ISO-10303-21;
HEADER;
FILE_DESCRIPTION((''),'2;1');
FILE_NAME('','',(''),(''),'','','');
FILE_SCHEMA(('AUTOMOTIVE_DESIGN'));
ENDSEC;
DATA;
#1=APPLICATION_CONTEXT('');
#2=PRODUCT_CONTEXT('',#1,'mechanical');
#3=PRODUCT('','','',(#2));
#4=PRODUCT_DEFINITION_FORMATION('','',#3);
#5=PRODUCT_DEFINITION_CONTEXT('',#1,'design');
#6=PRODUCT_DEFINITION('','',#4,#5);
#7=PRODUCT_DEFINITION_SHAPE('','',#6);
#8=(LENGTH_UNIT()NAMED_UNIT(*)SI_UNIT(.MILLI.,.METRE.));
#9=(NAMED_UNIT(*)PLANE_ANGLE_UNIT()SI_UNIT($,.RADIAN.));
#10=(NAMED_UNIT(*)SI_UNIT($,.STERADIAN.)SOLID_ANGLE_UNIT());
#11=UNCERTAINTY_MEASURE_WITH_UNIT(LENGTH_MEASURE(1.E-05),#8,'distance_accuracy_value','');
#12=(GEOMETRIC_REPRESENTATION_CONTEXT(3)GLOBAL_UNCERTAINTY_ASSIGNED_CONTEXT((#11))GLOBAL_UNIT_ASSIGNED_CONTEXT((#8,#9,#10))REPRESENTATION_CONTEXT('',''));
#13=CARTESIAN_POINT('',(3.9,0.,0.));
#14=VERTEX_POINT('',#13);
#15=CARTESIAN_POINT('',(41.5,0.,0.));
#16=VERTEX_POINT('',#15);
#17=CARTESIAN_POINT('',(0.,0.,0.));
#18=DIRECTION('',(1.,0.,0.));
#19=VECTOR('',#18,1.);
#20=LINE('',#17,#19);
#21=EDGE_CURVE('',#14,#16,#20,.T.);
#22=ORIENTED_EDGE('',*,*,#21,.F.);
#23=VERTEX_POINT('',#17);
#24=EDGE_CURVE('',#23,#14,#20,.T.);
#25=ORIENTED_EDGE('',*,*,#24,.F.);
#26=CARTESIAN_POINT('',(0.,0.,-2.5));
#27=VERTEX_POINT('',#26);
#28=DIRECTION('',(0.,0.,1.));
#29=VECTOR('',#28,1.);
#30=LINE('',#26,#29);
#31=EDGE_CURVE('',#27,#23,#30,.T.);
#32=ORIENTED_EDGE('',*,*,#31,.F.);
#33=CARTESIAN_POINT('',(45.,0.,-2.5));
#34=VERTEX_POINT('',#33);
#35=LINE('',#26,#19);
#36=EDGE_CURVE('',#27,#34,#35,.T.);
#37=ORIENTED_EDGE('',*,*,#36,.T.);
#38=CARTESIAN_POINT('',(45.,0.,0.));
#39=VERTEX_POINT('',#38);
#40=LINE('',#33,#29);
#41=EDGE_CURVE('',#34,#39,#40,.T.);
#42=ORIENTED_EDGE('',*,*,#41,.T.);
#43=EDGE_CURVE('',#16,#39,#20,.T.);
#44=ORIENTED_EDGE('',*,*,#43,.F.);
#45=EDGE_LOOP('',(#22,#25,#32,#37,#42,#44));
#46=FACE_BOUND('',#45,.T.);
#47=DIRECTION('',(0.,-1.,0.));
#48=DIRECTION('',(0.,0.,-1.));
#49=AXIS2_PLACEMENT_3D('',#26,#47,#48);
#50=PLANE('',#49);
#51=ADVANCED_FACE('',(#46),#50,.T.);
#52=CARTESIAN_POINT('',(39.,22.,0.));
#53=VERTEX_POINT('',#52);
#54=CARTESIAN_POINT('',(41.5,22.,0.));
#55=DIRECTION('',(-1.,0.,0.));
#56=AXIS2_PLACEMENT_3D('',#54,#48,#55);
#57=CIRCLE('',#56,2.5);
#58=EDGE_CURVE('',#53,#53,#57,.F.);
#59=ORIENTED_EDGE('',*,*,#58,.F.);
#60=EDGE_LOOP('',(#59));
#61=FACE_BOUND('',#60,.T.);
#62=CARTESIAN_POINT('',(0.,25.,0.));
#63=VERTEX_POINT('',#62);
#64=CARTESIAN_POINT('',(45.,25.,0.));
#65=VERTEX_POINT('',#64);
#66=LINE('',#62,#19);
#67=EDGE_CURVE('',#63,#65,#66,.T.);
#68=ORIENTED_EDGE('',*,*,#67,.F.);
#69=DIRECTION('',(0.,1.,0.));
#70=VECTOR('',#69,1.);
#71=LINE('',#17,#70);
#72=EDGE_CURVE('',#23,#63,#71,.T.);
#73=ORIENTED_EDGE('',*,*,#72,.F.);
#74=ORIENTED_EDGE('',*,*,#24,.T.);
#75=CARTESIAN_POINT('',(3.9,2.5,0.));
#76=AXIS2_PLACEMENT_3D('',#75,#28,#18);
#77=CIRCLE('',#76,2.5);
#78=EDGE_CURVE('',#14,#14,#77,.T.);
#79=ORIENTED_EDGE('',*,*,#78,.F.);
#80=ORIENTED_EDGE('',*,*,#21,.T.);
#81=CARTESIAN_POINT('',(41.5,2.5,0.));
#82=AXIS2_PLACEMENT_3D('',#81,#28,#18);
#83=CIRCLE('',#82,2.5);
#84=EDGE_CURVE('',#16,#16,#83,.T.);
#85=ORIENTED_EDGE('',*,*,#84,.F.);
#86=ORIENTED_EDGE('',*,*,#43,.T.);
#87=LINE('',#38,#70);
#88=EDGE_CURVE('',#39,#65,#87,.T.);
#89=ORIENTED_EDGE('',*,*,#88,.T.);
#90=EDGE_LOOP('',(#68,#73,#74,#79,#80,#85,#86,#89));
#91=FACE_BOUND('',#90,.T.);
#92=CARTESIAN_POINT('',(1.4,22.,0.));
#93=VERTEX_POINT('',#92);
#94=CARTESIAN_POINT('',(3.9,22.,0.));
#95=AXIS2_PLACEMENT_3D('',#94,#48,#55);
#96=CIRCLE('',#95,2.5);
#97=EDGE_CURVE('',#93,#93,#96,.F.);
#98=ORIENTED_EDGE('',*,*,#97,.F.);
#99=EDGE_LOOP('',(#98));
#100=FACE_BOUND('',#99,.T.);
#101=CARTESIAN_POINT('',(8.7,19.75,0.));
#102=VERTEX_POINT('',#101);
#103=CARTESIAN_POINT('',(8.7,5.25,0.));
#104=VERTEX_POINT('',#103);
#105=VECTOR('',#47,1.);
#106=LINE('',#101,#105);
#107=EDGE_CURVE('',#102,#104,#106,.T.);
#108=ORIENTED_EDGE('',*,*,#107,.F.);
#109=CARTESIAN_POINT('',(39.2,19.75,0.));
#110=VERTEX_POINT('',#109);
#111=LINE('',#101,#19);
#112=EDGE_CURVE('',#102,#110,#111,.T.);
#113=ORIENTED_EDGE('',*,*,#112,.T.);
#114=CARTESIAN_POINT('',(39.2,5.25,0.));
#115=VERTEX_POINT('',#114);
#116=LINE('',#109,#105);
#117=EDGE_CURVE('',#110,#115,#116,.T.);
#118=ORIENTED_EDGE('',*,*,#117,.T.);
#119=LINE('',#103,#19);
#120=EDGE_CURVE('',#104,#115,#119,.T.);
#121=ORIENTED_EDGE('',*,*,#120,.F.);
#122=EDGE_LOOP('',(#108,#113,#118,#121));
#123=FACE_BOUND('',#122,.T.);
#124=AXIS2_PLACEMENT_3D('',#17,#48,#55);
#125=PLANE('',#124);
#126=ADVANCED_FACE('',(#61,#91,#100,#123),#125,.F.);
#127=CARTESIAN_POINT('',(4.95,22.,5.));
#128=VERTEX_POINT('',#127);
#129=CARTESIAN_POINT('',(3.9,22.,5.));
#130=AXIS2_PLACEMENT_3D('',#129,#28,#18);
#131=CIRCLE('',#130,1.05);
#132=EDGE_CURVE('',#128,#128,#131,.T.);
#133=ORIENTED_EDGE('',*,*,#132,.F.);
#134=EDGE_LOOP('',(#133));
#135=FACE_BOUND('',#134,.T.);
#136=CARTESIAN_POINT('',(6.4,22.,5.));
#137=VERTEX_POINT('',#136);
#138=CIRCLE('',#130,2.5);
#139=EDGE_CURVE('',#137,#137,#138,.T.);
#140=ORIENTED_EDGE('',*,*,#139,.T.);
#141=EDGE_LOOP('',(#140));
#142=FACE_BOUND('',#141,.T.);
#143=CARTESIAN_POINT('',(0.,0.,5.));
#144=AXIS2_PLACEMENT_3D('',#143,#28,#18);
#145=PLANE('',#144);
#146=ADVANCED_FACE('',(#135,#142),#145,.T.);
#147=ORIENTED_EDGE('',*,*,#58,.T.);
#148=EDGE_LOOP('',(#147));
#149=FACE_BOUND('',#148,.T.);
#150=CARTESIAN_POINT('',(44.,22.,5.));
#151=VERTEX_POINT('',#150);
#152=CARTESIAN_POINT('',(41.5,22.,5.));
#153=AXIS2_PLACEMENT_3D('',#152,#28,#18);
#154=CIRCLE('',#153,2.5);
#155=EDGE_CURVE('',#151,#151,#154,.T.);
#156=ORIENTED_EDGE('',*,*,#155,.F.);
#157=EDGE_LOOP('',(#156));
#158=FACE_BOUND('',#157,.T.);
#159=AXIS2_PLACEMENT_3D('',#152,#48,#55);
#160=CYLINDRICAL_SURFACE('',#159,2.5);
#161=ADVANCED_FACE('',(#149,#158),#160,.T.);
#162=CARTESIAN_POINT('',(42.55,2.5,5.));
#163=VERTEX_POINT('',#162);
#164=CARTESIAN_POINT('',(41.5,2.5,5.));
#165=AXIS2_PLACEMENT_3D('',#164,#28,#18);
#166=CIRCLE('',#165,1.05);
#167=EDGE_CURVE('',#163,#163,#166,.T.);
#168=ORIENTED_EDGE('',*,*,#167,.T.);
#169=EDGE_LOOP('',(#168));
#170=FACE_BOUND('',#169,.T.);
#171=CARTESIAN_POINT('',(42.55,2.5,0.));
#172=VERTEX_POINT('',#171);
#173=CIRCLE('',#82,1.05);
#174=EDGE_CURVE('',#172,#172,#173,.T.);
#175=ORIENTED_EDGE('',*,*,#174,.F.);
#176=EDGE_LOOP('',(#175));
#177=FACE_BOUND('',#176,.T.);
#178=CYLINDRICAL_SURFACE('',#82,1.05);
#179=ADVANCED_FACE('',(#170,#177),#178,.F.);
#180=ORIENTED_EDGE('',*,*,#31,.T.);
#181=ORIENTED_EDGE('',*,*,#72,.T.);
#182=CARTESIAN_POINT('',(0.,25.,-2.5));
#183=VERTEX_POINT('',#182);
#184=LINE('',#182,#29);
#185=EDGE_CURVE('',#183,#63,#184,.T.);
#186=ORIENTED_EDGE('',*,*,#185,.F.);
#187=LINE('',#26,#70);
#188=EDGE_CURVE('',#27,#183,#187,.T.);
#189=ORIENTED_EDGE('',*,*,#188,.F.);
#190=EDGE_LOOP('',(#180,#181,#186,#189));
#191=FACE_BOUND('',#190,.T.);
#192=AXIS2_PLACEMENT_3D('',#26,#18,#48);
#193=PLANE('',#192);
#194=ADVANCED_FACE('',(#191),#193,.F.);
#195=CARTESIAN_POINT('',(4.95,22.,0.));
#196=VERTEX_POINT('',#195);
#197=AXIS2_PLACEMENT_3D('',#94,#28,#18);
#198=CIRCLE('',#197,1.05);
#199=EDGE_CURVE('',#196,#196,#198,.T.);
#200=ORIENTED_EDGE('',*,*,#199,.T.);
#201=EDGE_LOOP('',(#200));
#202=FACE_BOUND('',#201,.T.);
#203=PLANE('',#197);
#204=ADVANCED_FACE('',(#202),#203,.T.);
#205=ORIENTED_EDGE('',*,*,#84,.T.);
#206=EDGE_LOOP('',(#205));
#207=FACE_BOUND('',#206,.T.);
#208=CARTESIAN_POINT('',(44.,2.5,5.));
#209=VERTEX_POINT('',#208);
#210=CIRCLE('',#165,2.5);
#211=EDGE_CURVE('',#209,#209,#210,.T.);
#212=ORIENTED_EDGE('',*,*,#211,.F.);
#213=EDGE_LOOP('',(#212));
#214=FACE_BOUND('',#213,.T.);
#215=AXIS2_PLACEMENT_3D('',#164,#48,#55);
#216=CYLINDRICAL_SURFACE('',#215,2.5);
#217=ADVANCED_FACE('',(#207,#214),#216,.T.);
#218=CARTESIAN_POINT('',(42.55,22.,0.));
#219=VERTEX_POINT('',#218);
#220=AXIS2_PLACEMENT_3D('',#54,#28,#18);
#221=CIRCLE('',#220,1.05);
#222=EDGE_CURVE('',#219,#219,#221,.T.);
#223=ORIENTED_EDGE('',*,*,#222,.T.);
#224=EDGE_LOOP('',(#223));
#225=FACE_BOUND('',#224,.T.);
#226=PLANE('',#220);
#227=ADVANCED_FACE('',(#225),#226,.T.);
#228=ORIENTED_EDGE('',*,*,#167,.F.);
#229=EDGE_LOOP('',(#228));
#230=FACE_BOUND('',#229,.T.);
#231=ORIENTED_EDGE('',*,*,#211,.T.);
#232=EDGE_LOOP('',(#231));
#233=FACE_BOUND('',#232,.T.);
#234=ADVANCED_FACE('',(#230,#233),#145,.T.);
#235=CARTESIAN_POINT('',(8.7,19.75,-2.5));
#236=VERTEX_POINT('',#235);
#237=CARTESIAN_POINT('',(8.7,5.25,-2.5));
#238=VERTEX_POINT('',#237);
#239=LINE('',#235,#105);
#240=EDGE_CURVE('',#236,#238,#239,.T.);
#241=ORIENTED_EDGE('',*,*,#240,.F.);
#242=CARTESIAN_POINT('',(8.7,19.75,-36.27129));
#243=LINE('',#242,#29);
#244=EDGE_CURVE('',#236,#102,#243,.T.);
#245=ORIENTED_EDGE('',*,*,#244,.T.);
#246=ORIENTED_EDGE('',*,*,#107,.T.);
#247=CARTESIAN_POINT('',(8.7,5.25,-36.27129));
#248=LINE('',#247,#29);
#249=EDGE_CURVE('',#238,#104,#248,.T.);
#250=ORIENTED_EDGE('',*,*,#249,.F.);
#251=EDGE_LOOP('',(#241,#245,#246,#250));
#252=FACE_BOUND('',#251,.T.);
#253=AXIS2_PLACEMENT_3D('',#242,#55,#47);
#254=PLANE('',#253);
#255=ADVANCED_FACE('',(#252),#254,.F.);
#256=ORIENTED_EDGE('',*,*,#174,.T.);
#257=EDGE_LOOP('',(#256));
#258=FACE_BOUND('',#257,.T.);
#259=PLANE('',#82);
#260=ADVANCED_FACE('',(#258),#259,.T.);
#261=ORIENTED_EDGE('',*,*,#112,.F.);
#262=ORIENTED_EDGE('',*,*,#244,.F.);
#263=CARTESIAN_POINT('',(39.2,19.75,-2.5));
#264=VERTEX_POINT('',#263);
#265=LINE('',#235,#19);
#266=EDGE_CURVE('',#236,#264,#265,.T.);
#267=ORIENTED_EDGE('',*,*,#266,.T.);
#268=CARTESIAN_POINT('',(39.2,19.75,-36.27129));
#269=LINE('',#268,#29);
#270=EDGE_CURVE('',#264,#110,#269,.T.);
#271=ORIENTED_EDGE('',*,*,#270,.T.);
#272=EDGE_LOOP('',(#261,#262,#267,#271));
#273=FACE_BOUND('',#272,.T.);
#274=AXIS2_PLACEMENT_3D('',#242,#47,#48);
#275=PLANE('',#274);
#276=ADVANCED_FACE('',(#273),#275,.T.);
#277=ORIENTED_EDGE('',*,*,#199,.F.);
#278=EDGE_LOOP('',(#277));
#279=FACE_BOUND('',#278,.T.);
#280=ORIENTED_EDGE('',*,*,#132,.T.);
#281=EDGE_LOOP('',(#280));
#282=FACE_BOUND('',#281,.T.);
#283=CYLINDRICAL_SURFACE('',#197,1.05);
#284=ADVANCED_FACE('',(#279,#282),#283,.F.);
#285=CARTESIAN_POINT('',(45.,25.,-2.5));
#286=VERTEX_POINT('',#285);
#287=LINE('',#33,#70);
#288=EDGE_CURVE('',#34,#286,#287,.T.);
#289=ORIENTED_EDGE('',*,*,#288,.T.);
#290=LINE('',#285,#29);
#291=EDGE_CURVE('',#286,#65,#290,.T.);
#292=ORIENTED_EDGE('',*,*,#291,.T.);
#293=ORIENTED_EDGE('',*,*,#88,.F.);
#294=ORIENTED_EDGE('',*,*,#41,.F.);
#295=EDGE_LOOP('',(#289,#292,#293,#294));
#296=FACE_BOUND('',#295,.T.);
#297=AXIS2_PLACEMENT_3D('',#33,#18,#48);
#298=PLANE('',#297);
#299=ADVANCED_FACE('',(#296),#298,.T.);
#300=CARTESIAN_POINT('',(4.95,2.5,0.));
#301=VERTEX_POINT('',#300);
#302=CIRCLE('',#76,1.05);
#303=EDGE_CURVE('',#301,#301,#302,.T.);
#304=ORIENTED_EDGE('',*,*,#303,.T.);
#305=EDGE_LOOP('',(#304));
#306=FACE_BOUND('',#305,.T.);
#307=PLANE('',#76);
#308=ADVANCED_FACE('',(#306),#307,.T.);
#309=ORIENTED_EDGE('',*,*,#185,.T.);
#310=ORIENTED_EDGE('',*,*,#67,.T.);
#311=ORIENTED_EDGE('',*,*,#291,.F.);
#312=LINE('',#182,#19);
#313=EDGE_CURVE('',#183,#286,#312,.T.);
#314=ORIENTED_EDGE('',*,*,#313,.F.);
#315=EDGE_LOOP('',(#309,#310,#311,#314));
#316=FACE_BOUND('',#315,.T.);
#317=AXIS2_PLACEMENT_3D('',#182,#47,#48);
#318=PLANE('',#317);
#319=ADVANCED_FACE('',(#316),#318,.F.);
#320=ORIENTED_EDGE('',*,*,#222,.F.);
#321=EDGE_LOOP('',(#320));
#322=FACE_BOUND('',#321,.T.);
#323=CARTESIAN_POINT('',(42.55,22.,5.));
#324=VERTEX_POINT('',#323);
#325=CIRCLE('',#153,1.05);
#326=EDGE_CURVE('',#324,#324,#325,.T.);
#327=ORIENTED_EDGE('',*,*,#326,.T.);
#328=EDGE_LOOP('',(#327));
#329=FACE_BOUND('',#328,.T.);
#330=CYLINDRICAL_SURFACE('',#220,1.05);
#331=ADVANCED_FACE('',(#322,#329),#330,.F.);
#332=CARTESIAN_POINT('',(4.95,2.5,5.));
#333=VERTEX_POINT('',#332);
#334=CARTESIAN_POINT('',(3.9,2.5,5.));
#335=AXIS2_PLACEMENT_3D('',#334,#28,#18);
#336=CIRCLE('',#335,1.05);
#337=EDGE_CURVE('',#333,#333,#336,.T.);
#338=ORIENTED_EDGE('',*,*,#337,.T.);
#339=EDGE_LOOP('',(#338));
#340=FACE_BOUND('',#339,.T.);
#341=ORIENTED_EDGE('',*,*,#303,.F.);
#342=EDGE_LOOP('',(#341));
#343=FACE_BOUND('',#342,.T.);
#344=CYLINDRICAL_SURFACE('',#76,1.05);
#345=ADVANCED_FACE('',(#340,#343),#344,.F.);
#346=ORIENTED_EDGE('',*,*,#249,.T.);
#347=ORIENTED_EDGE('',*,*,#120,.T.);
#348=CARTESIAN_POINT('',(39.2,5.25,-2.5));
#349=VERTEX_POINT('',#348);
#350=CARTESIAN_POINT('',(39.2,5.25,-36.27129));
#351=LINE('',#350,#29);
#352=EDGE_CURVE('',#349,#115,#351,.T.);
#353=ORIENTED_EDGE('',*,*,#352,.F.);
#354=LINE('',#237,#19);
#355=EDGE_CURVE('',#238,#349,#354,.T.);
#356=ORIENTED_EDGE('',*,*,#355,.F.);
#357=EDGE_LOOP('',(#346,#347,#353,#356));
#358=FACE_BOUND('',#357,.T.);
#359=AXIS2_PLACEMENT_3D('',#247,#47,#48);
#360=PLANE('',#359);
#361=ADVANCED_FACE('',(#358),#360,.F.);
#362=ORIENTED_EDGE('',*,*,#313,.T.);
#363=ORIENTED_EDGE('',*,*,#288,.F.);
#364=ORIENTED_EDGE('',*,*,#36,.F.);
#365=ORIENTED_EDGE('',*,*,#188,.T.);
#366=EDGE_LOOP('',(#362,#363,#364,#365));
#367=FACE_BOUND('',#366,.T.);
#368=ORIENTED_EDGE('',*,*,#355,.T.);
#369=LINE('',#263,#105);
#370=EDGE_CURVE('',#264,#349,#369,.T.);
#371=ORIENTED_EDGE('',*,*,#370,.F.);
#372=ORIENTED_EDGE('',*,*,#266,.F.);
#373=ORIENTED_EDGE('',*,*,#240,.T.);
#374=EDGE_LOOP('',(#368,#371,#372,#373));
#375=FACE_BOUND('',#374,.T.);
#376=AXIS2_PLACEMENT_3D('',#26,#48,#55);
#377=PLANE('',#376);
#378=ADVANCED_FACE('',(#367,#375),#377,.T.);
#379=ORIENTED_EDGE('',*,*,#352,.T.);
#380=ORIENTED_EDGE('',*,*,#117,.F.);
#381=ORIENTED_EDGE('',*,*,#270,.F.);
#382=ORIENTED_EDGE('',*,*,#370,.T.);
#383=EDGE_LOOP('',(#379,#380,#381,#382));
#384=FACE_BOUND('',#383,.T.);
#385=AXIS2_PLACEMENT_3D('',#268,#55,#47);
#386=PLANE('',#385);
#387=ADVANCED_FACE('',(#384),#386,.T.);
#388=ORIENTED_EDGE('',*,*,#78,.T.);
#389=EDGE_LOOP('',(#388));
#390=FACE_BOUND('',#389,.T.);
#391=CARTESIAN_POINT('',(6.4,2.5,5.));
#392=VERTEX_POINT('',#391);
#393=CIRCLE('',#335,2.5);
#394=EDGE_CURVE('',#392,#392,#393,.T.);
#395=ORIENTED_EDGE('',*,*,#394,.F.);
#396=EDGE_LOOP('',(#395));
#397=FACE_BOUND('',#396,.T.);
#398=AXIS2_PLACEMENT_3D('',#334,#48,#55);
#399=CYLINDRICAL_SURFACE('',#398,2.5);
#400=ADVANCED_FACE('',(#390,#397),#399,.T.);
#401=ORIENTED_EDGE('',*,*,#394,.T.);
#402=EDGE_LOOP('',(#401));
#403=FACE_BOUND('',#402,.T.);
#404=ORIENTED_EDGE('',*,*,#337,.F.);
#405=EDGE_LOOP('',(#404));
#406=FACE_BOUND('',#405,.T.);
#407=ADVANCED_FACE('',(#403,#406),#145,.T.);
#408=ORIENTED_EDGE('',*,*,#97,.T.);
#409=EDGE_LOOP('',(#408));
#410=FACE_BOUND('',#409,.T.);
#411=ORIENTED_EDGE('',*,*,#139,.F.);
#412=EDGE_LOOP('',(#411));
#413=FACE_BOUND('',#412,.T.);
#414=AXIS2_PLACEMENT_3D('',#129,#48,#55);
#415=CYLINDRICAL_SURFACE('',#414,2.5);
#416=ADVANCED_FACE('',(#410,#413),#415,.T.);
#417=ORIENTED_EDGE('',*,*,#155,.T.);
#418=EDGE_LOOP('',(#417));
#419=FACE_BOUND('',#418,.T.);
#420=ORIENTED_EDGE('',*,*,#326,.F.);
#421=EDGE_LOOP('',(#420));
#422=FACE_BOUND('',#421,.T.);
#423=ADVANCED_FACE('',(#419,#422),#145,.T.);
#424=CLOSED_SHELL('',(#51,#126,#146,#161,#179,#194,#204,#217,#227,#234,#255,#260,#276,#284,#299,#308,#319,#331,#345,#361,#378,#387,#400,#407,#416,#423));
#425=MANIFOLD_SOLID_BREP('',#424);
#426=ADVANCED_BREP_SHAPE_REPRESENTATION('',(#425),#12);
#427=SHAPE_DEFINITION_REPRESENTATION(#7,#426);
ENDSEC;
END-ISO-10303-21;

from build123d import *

# Parameters (mm, degrees)
SKETCH1_W           = 45
SKETCH1_H           = 25
BOSS_EXTRUDE1_DEPTH = 2.5
SKETCH1_3_R         = 2.5
BOSS_EXTRUDE2_DEPTH = 5
SKETCH2_R           = 1.05
CUT_EXTRUDE1_DEPTH  = 5
SKETCH3_W           = 30.5
SKETCH3_H           = 14.5
CUT_EXTRUDE2_DEPTH  = 2.5


with BuildPart() as part:
    # Sketch1 → Boss-Extrude1 (new body)
    with BuildSketch(Plane.XY):
        with Locations((22.5, 12.5)):
            Rectangle(SKETCH1_W, SKETCH1_H)
    extrude(amount=-BOSS_EXTRUDE1_DEPTH)

    # Sketch1<3> → Boss-Extrude2 (add)
    with BuildSketch(Plane.XY):
        with Locations(Location((3.9, 22, 0), (0, 0, 180))):
            Circle(SKETCH1_3_R)
        with Locations(Location((3.9, 2.5, 0), (0, 0, 270))):
            Circle(SKETCH1_3_R)
        with Locations(Location((41.5, 2.5, 0), (0, 0, 270))):
            Circle(SKETCH1_3_R)
        with Locations(Location((41.5, 22, 0), (0, 0, 180))):
            Circle(SKETCH1_3_R)
    extrude(amount=BOSS_EXTRUDE2_DEPTH)

    # Sketch2 → Cut-Extrude1 (cut)
    with BuildSketch(Plane.XY.offset(5)):
        with Locations((3.9, 22)):
            Circle(SKETCH2_R)
        with Locations((3.9, 2.5)):
            Circle(SKETCH2_R)
        with Locations((41.5, 22)):
            Circle(SKETCH2_R)
        with Locations((41.5, 2.5)):
            Circle(SKETCH2_R)
    extrude(amount=-CUT_EXTRUDE1_DEPTH, mode=Mode.SUBTRACT)

    # Sketch3 → Cut-Extrude2 (cut)
    with BuildSketch(Plane.XY):
        with Locations((23.95, 12.5)):
            Rectangle(SKETCH3_W, SKETCH3_H)
    extrude(amount=-CUT_EXTRUDE2_DEPTH, mode=Mode.SUBTRACT)


solid = part.part
